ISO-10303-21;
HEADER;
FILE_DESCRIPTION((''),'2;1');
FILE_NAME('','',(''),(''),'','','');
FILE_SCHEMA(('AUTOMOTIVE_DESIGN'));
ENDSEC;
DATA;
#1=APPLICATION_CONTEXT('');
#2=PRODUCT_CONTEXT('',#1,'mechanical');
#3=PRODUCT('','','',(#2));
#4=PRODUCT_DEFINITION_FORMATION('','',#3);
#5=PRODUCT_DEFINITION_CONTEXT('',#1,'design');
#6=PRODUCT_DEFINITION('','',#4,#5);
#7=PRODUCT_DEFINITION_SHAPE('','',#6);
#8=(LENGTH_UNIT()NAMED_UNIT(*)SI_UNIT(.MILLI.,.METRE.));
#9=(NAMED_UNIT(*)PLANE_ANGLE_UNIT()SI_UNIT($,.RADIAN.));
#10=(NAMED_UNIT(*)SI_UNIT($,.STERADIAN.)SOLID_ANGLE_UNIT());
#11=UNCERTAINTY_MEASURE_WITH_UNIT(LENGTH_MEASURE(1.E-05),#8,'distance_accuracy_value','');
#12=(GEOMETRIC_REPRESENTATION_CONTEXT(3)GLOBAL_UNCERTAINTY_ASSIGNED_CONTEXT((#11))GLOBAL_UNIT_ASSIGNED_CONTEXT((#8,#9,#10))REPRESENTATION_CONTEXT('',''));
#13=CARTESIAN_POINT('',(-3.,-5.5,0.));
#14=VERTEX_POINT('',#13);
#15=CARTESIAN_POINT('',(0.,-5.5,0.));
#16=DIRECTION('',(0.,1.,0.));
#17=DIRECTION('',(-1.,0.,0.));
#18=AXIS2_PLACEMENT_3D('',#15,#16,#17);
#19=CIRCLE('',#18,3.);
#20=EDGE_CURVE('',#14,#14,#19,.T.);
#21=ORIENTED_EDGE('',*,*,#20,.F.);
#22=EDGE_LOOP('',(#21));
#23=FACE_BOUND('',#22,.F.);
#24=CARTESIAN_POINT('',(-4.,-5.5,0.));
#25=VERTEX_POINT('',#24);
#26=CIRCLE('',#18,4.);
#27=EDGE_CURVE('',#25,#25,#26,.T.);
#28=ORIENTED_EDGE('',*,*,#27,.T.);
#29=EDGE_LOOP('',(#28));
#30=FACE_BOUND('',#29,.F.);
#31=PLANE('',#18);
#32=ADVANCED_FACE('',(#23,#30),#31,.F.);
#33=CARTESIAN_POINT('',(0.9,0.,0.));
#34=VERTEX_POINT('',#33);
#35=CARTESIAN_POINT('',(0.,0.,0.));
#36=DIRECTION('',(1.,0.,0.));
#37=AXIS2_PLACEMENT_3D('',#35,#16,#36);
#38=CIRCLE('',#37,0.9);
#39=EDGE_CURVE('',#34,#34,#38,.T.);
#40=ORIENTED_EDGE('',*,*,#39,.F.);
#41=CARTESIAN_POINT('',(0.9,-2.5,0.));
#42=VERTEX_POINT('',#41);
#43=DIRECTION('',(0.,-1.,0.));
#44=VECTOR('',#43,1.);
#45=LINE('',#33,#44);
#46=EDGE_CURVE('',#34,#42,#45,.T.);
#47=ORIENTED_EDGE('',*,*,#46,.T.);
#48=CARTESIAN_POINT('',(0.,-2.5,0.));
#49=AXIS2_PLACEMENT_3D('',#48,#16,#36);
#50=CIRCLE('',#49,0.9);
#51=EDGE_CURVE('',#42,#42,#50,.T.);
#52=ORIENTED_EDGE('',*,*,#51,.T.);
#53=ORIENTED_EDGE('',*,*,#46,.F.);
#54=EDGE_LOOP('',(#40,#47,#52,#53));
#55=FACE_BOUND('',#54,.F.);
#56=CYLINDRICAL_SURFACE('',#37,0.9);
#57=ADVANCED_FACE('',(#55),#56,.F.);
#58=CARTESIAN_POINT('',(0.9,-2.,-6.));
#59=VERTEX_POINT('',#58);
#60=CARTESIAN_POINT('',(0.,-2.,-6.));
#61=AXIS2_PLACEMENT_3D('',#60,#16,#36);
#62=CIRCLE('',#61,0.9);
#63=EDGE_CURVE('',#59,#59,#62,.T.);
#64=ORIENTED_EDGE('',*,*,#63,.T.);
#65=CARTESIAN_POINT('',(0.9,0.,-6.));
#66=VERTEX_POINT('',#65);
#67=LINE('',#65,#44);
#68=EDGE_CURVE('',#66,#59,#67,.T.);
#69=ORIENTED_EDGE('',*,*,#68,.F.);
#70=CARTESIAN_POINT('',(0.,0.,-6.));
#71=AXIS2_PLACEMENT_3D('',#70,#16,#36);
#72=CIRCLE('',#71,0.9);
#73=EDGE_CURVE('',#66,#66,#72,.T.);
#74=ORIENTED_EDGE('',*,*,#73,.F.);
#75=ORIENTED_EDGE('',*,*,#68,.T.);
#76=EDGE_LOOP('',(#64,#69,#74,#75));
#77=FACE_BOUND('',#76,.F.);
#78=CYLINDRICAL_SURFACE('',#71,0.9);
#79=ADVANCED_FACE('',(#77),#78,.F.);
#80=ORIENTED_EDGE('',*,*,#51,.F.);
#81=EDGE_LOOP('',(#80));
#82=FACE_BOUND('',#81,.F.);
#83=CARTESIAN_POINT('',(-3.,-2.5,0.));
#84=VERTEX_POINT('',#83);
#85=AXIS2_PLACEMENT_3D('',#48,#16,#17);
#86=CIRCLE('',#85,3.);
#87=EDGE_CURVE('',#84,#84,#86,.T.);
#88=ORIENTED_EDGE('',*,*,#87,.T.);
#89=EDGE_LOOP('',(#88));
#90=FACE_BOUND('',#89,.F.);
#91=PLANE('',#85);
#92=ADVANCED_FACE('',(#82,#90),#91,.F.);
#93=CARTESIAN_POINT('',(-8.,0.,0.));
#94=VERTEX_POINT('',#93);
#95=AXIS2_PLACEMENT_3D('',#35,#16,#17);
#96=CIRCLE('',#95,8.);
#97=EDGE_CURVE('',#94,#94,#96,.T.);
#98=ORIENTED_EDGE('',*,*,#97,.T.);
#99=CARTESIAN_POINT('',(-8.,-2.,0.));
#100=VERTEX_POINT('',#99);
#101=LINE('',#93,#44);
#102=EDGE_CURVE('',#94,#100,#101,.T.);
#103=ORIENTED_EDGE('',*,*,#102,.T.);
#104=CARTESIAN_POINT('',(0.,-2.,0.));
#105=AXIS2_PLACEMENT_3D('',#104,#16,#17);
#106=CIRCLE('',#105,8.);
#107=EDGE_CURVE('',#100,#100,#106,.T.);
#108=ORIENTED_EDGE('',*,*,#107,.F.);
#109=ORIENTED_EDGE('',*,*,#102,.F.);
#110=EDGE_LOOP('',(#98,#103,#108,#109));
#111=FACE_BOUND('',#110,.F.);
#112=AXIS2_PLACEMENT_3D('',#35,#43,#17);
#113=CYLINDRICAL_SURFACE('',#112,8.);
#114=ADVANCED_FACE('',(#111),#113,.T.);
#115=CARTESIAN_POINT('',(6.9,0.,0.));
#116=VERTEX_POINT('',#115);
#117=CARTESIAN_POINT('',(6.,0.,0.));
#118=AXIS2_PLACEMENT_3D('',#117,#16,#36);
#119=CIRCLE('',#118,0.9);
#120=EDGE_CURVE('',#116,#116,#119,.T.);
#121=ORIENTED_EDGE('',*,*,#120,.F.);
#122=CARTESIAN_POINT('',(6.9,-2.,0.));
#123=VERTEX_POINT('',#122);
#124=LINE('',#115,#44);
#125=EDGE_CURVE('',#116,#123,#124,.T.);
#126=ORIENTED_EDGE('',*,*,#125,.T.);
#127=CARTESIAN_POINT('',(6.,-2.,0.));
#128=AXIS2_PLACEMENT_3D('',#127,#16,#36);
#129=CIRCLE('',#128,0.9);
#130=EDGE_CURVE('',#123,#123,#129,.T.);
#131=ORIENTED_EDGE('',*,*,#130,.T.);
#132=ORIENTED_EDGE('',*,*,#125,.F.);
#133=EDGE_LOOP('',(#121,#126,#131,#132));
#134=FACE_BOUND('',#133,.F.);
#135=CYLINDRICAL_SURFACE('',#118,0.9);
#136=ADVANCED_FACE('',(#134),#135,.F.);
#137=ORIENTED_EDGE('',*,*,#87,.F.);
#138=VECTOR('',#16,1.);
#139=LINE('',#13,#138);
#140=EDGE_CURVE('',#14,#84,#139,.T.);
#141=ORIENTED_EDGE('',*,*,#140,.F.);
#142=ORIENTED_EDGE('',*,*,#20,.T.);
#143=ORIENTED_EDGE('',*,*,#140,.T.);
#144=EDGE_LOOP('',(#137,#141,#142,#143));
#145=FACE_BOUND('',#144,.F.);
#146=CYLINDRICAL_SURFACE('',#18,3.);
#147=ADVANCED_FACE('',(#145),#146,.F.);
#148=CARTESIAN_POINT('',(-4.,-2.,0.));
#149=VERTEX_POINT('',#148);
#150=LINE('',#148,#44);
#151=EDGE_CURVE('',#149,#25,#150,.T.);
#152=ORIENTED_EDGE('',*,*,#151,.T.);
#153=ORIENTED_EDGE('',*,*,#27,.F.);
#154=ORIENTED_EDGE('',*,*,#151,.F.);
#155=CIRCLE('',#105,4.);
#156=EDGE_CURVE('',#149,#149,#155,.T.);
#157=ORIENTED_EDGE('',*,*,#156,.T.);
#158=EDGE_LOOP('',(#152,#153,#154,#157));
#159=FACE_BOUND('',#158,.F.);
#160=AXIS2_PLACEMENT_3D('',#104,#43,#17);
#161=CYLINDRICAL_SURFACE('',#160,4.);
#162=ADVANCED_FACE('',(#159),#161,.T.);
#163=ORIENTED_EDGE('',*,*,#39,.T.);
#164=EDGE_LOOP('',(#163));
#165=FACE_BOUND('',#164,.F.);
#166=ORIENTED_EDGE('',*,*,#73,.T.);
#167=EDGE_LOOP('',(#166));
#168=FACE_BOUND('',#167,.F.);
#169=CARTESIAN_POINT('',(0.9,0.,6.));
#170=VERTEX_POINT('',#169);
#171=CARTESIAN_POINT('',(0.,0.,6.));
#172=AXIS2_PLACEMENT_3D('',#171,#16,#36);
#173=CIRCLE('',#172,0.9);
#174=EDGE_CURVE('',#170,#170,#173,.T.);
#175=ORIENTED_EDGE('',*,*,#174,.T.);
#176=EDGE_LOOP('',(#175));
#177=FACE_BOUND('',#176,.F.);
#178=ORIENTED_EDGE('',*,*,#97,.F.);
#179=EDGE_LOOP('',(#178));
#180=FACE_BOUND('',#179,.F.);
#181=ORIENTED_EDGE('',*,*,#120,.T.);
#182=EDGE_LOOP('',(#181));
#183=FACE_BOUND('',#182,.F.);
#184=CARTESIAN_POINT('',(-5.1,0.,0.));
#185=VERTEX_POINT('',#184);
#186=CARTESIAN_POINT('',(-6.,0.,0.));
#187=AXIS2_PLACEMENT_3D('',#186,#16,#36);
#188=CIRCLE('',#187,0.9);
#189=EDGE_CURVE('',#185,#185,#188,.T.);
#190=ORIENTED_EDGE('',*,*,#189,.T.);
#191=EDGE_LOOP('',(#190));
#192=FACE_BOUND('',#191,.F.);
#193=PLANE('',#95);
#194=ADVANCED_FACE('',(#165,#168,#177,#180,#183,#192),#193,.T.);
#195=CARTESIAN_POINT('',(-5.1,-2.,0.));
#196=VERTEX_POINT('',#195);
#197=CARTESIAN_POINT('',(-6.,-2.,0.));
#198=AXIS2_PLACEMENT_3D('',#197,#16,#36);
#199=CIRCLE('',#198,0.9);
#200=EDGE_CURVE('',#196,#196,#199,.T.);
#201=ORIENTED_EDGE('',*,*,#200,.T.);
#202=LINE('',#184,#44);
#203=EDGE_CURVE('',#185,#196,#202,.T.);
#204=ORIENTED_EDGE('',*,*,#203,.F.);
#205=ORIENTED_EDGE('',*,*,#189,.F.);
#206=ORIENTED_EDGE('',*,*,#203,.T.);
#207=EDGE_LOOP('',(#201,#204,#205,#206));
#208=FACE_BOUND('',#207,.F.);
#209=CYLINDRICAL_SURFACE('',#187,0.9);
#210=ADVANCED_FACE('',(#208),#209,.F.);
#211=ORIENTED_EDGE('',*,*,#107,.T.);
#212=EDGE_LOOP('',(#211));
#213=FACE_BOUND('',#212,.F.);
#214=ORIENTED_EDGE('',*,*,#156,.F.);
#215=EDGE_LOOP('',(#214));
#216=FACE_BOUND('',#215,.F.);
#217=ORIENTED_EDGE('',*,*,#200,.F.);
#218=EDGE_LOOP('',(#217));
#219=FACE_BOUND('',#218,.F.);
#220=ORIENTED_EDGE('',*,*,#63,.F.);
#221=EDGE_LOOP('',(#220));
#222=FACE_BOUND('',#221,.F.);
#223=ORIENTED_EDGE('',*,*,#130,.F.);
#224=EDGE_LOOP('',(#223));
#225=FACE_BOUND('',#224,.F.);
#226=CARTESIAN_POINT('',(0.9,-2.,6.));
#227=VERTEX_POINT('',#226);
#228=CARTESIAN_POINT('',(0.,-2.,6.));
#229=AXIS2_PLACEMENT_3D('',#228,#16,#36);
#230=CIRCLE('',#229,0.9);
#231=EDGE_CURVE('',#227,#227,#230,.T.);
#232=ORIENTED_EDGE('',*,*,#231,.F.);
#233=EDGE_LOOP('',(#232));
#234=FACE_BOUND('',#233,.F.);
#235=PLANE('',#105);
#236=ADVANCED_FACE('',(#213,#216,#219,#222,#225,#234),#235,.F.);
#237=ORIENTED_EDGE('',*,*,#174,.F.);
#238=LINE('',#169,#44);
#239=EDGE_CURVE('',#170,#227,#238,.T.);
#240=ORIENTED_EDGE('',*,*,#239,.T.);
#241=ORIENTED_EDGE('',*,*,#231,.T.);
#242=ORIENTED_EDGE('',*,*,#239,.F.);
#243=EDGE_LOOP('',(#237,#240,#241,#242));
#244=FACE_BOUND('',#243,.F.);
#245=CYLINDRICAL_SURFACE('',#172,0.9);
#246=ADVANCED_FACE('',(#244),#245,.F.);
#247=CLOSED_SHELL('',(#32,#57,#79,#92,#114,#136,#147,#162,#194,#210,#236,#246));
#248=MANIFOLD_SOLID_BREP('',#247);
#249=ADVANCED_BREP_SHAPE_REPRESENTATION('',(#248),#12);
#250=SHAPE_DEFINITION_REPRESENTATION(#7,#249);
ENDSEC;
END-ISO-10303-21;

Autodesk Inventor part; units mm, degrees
ref_plane "YZ Plane" through (0, 0, 0) normal (1, 0, 0) x (0, 1, 0)
ref_plane "XZ Plane" through (0, 0, 0) normal (0, 1, 0) x (-1, 0, 0)
ref_plane "XY Plane" through (0, 0, 0) normal (0, 0, 1) x (1, 0, 0)
sketch "スケッチ1" plane through (0, 0, 0) normal (0, 0, 1) x (1, 0, 0)
  line L0 (0, 0) -> (-8, 0)
  line L1 (-8, 0) -> (-8, -2)
  line L2 (-8, -2) -> (-4, -2)
  line L3 (-4, -2) -> (-4, -5.5)
  line L4 (-4, -5.5) -> (-3, -5.5)
  line L5 (0, -2.5) -> (0, 0)
  line L6 (-3, -5.5) -> (-3, -2.5)
  line L7 (-3, -2.5) -> (0, -2.5)
  dimension "d0" = 2
  dimension "d1" = 3.5
  dimension "d2" = 8
  dimension "d4" = 4
  dimension "d5" = 0.5
  dimension "d6" = 3
revolve "回転1" add sketch "スケッチ1" angle 360 about axis through (0, -2.5, 0) along (0, 1, 0)
sketch "スケッチ2" plane through (0, 0, 0) normal (0, 1, 0) x (1, 0, 0)
  circle A0 centre (0, 0) radius 0.9
  circle A1 centre (0, 0) radius 6 construction
  circle A2 centre (-6, 0) radius 0.9
  circle A3 centre (0, 6) radius 0.9
  circle A4 centre (6, 0) radius 0.9
  circle A5 centre (0, -6) radius 0.9
  dimension "d8" = 12
  dimension "d9" = 1.8
extrude "押し出し1" cut sketch "スケッチ2" against normal blind 10
properties part number "GWS_Micro2BBMG_hone_AS"
